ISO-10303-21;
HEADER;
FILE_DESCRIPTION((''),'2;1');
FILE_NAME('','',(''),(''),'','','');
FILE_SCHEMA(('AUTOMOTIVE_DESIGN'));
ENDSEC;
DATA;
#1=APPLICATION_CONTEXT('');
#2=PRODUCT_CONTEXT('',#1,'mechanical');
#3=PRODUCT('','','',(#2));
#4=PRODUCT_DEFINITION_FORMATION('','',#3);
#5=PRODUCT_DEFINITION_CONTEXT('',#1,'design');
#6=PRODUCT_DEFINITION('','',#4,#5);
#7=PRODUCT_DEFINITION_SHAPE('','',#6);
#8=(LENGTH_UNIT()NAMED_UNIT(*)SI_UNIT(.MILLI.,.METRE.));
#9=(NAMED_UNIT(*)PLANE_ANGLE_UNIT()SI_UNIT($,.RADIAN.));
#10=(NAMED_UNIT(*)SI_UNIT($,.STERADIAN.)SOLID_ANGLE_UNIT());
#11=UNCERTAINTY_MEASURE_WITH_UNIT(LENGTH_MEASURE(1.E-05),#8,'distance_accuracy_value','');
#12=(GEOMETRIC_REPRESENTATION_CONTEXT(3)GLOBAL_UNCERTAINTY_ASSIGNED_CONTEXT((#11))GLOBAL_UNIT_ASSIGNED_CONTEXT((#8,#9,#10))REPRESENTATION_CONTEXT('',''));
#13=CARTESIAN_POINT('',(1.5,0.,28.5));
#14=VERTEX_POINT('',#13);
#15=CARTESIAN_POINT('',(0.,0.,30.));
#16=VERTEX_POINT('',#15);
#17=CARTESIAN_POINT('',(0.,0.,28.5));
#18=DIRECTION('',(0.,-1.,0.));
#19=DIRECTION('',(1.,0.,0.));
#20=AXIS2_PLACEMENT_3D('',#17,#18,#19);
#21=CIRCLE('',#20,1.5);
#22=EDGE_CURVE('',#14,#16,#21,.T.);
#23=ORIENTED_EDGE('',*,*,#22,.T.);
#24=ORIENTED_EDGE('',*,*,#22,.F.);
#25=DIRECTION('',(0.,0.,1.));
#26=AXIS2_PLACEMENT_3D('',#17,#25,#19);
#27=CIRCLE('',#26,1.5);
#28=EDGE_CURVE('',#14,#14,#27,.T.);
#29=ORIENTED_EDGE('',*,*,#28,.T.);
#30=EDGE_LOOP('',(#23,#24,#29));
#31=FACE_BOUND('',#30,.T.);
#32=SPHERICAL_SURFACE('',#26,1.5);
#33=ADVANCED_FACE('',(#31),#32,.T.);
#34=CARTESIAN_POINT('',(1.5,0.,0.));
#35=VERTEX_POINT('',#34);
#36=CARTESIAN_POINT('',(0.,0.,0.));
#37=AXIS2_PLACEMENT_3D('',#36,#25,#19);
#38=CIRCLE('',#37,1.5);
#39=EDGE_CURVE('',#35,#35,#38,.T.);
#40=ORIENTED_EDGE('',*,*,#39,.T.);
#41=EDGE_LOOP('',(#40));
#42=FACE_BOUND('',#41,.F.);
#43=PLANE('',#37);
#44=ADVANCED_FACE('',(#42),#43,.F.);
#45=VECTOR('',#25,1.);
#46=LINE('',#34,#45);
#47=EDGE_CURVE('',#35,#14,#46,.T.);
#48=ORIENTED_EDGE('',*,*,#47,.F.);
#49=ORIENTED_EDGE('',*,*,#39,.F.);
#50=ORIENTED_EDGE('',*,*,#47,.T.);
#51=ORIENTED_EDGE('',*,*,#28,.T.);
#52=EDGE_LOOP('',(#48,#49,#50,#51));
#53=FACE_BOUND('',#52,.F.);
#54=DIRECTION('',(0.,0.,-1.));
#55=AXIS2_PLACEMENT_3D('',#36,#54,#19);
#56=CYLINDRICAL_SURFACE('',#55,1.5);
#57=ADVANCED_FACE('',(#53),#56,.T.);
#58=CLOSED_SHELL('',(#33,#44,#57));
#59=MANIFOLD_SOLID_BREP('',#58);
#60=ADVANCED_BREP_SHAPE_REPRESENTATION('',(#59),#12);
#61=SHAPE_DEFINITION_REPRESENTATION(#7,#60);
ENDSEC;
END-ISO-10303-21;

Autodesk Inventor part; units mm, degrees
ref_plane "YZ Plane" through (0, 0, 0) normal (1, 0, 0) x (0, 1, 0)
ref_plane "XZ Plane" through (0, 0, 0) normal (0, 1, 0) x (-1, 0, 0)
ref_plane "XY Plane" through (0, 0, 0) normal (0, 0, 1) x (1, 0, 0)
sketch "Skizze1" plane through (0, 0, 0) normal (0, 0, 1) x (1, 0, 0)
  circle A0 centre (0, 0) radius 1.5
  dimension "d0" = 3
extrude "Extrusion1" add sketch "Skizze1" along normal blind 30
fillet "Rundung1" radius 1.5 1 edges at (-1.5, 0, 30)
thread "Gewinde1" size "M3x0.5" class "6g" standard "ANSI Metric M Profile" full length
properties part number "00_Screw_Ball_Spring_Head_M3x30mm"
